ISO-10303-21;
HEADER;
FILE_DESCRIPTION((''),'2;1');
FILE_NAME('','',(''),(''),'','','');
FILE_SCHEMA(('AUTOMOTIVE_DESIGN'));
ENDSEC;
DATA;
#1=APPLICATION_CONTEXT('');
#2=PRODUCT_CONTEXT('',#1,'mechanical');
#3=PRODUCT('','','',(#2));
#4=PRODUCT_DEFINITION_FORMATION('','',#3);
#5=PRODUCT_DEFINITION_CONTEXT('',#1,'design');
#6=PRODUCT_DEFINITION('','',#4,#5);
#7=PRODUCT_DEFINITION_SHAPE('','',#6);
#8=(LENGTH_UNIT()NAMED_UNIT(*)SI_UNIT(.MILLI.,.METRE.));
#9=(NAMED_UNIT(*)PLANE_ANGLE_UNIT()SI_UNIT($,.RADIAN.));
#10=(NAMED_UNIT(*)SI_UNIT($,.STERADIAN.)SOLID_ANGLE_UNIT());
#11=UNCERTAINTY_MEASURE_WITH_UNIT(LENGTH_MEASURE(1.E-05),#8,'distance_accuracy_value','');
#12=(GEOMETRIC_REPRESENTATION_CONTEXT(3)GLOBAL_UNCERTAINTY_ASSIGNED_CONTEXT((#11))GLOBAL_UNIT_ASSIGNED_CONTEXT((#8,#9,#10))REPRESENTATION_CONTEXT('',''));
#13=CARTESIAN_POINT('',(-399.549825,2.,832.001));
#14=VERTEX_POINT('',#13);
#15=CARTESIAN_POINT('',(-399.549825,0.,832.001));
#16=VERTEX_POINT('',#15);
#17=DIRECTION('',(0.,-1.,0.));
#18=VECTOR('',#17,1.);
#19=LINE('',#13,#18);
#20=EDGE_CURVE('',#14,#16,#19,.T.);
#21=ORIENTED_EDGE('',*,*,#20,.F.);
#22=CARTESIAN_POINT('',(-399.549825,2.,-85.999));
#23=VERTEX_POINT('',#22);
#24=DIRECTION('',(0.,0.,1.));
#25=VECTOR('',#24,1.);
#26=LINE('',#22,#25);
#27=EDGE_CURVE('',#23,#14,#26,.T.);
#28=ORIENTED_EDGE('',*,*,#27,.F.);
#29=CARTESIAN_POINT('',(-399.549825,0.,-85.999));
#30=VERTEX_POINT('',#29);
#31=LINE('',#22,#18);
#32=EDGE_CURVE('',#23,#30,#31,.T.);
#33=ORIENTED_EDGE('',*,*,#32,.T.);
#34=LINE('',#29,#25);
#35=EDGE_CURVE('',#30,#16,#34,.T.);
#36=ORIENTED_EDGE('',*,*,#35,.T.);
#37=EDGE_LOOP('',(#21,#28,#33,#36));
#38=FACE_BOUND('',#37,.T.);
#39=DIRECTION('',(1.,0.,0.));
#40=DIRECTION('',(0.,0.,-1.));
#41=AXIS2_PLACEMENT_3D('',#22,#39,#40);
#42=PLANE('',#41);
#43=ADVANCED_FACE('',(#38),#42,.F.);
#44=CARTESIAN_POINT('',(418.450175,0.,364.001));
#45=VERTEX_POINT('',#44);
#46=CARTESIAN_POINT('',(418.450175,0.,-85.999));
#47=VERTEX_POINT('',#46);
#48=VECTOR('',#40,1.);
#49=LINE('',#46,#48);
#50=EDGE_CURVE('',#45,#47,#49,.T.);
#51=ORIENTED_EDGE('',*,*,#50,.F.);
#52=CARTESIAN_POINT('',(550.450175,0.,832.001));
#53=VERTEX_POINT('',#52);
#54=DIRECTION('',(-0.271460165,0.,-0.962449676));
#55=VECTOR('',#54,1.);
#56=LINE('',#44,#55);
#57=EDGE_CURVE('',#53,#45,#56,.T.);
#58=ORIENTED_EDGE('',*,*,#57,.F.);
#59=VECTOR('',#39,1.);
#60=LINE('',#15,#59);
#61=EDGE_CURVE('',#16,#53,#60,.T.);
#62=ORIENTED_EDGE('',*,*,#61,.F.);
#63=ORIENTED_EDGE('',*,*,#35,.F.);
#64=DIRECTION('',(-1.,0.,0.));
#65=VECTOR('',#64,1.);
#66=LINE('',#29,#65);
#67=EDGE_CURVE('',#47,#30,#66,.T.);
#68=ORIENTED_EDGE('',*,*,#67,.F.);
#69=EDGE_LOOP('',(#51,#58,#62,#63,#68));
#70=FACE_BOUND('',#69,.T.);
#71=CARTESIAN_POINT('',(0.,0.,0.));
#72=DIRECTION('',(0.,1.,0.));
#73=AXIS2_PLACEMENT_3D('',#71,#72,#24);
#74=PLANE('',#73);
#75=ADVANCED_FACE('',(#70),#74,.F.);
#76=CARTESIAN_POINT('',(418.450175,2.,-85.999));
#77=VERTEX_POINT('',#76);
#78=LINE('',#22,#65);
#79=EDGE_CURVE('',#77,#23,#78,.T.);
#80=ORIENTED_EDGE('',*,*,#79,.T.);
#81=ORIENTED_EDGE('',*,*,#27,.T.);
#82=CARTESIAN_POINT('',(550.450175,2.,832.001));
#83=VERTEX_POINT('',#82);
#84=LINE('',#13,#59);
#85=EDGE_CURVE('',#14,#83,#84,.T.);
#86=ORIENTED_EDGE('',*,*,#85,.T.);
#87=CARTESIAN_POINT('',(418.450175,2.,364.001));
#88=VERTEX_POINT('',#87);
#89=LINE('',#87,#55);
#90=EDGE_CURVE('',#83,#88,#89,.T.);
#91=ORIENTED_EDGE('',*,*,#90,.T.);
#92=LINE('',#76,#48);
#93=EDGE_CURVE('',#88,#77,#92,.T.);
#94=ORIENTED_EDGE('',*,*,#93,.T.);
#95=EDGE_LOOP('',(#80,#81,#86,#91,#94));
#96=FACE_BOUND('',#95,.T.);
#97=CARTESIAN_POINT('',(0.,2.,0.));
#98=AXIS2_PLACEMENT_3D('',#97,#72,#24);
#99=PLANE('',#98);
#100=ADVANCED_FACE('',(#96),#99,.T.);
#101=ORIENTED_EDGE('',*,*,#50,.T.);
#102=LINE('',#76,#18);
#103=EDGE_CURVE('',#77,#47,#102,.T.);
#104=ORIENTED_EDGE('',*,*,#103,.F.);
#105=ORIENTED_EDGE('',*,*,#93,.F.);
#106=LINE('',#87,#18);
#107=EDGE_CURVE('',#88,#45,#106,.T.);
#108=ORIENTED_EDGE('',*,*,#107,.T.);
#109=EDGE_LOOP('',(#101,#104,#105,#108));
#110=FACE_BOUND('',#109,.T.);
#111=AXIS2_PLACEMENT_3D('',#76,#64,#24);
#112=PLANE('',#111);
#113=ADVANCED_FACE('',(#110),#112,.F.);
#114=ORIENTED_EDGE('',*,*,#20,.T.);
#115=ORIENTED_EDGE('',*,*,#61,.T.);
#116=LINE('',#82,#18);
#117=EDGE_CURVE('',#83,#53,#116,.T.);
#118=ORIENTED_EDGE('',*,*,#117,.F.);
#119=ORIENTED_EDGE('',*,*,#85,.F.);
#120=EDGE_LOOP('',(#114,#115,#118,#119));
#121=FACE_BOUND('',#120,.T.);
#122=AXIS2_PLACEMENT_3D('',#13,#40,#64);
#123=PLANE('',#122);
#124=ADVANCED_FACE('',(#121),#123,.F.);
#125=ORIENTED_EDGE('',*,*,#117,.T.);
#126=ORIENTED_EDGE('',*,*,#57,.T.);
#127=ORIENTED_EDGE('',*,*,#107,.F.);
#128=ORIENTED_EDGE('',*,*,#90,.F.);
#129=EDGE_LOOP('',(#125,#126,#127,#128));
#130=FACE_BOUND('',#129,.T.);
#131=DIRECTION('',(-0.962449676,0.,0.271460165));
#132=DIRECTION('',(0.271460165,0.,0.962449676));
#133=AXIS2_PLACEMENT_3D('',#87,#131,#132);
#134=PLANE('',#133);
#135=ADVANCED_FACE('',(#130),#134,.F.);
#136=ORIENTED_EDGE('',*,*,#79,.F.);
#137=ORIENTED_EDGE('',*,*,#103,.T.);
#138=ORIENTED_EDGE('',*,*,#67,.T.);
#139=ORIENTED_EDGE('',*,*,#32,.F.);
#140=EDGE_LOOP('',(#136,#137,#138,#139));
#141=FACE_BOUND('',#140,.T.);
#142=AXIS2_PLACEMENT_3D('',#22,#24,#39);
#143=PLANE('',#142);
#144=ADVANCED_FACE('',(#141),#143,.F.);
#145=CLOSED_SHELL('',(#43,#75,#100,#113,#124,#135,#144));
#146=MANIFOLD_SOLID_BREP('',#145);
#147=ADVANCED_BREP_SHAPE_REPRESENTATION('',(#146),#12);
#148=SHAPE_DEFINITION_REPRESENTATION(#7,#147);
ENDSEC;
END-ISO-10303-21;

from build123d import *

# Parameters (mm, degrees)
EXTRUDE_1_DEPTH = 2


with BuildPart() as part:
    # 草图1 → 凸台-拉伸1 (new body)
    with BuildSketch(Plane(origin=(0, 0, 0), x_dir=(1, 0, 0), z_dir=(0, 1, 0))):
        Polygon((418.450174718, 85.999000358), (418.450174718, -364.000999642), (550.450174718, -832.000999642), (-399.549825282, -832.000999642), (-399.549825282, 85.999000358), align=None)
    extrude(amount=EXTRUDE_1_DEPTH)


solid = part.part
